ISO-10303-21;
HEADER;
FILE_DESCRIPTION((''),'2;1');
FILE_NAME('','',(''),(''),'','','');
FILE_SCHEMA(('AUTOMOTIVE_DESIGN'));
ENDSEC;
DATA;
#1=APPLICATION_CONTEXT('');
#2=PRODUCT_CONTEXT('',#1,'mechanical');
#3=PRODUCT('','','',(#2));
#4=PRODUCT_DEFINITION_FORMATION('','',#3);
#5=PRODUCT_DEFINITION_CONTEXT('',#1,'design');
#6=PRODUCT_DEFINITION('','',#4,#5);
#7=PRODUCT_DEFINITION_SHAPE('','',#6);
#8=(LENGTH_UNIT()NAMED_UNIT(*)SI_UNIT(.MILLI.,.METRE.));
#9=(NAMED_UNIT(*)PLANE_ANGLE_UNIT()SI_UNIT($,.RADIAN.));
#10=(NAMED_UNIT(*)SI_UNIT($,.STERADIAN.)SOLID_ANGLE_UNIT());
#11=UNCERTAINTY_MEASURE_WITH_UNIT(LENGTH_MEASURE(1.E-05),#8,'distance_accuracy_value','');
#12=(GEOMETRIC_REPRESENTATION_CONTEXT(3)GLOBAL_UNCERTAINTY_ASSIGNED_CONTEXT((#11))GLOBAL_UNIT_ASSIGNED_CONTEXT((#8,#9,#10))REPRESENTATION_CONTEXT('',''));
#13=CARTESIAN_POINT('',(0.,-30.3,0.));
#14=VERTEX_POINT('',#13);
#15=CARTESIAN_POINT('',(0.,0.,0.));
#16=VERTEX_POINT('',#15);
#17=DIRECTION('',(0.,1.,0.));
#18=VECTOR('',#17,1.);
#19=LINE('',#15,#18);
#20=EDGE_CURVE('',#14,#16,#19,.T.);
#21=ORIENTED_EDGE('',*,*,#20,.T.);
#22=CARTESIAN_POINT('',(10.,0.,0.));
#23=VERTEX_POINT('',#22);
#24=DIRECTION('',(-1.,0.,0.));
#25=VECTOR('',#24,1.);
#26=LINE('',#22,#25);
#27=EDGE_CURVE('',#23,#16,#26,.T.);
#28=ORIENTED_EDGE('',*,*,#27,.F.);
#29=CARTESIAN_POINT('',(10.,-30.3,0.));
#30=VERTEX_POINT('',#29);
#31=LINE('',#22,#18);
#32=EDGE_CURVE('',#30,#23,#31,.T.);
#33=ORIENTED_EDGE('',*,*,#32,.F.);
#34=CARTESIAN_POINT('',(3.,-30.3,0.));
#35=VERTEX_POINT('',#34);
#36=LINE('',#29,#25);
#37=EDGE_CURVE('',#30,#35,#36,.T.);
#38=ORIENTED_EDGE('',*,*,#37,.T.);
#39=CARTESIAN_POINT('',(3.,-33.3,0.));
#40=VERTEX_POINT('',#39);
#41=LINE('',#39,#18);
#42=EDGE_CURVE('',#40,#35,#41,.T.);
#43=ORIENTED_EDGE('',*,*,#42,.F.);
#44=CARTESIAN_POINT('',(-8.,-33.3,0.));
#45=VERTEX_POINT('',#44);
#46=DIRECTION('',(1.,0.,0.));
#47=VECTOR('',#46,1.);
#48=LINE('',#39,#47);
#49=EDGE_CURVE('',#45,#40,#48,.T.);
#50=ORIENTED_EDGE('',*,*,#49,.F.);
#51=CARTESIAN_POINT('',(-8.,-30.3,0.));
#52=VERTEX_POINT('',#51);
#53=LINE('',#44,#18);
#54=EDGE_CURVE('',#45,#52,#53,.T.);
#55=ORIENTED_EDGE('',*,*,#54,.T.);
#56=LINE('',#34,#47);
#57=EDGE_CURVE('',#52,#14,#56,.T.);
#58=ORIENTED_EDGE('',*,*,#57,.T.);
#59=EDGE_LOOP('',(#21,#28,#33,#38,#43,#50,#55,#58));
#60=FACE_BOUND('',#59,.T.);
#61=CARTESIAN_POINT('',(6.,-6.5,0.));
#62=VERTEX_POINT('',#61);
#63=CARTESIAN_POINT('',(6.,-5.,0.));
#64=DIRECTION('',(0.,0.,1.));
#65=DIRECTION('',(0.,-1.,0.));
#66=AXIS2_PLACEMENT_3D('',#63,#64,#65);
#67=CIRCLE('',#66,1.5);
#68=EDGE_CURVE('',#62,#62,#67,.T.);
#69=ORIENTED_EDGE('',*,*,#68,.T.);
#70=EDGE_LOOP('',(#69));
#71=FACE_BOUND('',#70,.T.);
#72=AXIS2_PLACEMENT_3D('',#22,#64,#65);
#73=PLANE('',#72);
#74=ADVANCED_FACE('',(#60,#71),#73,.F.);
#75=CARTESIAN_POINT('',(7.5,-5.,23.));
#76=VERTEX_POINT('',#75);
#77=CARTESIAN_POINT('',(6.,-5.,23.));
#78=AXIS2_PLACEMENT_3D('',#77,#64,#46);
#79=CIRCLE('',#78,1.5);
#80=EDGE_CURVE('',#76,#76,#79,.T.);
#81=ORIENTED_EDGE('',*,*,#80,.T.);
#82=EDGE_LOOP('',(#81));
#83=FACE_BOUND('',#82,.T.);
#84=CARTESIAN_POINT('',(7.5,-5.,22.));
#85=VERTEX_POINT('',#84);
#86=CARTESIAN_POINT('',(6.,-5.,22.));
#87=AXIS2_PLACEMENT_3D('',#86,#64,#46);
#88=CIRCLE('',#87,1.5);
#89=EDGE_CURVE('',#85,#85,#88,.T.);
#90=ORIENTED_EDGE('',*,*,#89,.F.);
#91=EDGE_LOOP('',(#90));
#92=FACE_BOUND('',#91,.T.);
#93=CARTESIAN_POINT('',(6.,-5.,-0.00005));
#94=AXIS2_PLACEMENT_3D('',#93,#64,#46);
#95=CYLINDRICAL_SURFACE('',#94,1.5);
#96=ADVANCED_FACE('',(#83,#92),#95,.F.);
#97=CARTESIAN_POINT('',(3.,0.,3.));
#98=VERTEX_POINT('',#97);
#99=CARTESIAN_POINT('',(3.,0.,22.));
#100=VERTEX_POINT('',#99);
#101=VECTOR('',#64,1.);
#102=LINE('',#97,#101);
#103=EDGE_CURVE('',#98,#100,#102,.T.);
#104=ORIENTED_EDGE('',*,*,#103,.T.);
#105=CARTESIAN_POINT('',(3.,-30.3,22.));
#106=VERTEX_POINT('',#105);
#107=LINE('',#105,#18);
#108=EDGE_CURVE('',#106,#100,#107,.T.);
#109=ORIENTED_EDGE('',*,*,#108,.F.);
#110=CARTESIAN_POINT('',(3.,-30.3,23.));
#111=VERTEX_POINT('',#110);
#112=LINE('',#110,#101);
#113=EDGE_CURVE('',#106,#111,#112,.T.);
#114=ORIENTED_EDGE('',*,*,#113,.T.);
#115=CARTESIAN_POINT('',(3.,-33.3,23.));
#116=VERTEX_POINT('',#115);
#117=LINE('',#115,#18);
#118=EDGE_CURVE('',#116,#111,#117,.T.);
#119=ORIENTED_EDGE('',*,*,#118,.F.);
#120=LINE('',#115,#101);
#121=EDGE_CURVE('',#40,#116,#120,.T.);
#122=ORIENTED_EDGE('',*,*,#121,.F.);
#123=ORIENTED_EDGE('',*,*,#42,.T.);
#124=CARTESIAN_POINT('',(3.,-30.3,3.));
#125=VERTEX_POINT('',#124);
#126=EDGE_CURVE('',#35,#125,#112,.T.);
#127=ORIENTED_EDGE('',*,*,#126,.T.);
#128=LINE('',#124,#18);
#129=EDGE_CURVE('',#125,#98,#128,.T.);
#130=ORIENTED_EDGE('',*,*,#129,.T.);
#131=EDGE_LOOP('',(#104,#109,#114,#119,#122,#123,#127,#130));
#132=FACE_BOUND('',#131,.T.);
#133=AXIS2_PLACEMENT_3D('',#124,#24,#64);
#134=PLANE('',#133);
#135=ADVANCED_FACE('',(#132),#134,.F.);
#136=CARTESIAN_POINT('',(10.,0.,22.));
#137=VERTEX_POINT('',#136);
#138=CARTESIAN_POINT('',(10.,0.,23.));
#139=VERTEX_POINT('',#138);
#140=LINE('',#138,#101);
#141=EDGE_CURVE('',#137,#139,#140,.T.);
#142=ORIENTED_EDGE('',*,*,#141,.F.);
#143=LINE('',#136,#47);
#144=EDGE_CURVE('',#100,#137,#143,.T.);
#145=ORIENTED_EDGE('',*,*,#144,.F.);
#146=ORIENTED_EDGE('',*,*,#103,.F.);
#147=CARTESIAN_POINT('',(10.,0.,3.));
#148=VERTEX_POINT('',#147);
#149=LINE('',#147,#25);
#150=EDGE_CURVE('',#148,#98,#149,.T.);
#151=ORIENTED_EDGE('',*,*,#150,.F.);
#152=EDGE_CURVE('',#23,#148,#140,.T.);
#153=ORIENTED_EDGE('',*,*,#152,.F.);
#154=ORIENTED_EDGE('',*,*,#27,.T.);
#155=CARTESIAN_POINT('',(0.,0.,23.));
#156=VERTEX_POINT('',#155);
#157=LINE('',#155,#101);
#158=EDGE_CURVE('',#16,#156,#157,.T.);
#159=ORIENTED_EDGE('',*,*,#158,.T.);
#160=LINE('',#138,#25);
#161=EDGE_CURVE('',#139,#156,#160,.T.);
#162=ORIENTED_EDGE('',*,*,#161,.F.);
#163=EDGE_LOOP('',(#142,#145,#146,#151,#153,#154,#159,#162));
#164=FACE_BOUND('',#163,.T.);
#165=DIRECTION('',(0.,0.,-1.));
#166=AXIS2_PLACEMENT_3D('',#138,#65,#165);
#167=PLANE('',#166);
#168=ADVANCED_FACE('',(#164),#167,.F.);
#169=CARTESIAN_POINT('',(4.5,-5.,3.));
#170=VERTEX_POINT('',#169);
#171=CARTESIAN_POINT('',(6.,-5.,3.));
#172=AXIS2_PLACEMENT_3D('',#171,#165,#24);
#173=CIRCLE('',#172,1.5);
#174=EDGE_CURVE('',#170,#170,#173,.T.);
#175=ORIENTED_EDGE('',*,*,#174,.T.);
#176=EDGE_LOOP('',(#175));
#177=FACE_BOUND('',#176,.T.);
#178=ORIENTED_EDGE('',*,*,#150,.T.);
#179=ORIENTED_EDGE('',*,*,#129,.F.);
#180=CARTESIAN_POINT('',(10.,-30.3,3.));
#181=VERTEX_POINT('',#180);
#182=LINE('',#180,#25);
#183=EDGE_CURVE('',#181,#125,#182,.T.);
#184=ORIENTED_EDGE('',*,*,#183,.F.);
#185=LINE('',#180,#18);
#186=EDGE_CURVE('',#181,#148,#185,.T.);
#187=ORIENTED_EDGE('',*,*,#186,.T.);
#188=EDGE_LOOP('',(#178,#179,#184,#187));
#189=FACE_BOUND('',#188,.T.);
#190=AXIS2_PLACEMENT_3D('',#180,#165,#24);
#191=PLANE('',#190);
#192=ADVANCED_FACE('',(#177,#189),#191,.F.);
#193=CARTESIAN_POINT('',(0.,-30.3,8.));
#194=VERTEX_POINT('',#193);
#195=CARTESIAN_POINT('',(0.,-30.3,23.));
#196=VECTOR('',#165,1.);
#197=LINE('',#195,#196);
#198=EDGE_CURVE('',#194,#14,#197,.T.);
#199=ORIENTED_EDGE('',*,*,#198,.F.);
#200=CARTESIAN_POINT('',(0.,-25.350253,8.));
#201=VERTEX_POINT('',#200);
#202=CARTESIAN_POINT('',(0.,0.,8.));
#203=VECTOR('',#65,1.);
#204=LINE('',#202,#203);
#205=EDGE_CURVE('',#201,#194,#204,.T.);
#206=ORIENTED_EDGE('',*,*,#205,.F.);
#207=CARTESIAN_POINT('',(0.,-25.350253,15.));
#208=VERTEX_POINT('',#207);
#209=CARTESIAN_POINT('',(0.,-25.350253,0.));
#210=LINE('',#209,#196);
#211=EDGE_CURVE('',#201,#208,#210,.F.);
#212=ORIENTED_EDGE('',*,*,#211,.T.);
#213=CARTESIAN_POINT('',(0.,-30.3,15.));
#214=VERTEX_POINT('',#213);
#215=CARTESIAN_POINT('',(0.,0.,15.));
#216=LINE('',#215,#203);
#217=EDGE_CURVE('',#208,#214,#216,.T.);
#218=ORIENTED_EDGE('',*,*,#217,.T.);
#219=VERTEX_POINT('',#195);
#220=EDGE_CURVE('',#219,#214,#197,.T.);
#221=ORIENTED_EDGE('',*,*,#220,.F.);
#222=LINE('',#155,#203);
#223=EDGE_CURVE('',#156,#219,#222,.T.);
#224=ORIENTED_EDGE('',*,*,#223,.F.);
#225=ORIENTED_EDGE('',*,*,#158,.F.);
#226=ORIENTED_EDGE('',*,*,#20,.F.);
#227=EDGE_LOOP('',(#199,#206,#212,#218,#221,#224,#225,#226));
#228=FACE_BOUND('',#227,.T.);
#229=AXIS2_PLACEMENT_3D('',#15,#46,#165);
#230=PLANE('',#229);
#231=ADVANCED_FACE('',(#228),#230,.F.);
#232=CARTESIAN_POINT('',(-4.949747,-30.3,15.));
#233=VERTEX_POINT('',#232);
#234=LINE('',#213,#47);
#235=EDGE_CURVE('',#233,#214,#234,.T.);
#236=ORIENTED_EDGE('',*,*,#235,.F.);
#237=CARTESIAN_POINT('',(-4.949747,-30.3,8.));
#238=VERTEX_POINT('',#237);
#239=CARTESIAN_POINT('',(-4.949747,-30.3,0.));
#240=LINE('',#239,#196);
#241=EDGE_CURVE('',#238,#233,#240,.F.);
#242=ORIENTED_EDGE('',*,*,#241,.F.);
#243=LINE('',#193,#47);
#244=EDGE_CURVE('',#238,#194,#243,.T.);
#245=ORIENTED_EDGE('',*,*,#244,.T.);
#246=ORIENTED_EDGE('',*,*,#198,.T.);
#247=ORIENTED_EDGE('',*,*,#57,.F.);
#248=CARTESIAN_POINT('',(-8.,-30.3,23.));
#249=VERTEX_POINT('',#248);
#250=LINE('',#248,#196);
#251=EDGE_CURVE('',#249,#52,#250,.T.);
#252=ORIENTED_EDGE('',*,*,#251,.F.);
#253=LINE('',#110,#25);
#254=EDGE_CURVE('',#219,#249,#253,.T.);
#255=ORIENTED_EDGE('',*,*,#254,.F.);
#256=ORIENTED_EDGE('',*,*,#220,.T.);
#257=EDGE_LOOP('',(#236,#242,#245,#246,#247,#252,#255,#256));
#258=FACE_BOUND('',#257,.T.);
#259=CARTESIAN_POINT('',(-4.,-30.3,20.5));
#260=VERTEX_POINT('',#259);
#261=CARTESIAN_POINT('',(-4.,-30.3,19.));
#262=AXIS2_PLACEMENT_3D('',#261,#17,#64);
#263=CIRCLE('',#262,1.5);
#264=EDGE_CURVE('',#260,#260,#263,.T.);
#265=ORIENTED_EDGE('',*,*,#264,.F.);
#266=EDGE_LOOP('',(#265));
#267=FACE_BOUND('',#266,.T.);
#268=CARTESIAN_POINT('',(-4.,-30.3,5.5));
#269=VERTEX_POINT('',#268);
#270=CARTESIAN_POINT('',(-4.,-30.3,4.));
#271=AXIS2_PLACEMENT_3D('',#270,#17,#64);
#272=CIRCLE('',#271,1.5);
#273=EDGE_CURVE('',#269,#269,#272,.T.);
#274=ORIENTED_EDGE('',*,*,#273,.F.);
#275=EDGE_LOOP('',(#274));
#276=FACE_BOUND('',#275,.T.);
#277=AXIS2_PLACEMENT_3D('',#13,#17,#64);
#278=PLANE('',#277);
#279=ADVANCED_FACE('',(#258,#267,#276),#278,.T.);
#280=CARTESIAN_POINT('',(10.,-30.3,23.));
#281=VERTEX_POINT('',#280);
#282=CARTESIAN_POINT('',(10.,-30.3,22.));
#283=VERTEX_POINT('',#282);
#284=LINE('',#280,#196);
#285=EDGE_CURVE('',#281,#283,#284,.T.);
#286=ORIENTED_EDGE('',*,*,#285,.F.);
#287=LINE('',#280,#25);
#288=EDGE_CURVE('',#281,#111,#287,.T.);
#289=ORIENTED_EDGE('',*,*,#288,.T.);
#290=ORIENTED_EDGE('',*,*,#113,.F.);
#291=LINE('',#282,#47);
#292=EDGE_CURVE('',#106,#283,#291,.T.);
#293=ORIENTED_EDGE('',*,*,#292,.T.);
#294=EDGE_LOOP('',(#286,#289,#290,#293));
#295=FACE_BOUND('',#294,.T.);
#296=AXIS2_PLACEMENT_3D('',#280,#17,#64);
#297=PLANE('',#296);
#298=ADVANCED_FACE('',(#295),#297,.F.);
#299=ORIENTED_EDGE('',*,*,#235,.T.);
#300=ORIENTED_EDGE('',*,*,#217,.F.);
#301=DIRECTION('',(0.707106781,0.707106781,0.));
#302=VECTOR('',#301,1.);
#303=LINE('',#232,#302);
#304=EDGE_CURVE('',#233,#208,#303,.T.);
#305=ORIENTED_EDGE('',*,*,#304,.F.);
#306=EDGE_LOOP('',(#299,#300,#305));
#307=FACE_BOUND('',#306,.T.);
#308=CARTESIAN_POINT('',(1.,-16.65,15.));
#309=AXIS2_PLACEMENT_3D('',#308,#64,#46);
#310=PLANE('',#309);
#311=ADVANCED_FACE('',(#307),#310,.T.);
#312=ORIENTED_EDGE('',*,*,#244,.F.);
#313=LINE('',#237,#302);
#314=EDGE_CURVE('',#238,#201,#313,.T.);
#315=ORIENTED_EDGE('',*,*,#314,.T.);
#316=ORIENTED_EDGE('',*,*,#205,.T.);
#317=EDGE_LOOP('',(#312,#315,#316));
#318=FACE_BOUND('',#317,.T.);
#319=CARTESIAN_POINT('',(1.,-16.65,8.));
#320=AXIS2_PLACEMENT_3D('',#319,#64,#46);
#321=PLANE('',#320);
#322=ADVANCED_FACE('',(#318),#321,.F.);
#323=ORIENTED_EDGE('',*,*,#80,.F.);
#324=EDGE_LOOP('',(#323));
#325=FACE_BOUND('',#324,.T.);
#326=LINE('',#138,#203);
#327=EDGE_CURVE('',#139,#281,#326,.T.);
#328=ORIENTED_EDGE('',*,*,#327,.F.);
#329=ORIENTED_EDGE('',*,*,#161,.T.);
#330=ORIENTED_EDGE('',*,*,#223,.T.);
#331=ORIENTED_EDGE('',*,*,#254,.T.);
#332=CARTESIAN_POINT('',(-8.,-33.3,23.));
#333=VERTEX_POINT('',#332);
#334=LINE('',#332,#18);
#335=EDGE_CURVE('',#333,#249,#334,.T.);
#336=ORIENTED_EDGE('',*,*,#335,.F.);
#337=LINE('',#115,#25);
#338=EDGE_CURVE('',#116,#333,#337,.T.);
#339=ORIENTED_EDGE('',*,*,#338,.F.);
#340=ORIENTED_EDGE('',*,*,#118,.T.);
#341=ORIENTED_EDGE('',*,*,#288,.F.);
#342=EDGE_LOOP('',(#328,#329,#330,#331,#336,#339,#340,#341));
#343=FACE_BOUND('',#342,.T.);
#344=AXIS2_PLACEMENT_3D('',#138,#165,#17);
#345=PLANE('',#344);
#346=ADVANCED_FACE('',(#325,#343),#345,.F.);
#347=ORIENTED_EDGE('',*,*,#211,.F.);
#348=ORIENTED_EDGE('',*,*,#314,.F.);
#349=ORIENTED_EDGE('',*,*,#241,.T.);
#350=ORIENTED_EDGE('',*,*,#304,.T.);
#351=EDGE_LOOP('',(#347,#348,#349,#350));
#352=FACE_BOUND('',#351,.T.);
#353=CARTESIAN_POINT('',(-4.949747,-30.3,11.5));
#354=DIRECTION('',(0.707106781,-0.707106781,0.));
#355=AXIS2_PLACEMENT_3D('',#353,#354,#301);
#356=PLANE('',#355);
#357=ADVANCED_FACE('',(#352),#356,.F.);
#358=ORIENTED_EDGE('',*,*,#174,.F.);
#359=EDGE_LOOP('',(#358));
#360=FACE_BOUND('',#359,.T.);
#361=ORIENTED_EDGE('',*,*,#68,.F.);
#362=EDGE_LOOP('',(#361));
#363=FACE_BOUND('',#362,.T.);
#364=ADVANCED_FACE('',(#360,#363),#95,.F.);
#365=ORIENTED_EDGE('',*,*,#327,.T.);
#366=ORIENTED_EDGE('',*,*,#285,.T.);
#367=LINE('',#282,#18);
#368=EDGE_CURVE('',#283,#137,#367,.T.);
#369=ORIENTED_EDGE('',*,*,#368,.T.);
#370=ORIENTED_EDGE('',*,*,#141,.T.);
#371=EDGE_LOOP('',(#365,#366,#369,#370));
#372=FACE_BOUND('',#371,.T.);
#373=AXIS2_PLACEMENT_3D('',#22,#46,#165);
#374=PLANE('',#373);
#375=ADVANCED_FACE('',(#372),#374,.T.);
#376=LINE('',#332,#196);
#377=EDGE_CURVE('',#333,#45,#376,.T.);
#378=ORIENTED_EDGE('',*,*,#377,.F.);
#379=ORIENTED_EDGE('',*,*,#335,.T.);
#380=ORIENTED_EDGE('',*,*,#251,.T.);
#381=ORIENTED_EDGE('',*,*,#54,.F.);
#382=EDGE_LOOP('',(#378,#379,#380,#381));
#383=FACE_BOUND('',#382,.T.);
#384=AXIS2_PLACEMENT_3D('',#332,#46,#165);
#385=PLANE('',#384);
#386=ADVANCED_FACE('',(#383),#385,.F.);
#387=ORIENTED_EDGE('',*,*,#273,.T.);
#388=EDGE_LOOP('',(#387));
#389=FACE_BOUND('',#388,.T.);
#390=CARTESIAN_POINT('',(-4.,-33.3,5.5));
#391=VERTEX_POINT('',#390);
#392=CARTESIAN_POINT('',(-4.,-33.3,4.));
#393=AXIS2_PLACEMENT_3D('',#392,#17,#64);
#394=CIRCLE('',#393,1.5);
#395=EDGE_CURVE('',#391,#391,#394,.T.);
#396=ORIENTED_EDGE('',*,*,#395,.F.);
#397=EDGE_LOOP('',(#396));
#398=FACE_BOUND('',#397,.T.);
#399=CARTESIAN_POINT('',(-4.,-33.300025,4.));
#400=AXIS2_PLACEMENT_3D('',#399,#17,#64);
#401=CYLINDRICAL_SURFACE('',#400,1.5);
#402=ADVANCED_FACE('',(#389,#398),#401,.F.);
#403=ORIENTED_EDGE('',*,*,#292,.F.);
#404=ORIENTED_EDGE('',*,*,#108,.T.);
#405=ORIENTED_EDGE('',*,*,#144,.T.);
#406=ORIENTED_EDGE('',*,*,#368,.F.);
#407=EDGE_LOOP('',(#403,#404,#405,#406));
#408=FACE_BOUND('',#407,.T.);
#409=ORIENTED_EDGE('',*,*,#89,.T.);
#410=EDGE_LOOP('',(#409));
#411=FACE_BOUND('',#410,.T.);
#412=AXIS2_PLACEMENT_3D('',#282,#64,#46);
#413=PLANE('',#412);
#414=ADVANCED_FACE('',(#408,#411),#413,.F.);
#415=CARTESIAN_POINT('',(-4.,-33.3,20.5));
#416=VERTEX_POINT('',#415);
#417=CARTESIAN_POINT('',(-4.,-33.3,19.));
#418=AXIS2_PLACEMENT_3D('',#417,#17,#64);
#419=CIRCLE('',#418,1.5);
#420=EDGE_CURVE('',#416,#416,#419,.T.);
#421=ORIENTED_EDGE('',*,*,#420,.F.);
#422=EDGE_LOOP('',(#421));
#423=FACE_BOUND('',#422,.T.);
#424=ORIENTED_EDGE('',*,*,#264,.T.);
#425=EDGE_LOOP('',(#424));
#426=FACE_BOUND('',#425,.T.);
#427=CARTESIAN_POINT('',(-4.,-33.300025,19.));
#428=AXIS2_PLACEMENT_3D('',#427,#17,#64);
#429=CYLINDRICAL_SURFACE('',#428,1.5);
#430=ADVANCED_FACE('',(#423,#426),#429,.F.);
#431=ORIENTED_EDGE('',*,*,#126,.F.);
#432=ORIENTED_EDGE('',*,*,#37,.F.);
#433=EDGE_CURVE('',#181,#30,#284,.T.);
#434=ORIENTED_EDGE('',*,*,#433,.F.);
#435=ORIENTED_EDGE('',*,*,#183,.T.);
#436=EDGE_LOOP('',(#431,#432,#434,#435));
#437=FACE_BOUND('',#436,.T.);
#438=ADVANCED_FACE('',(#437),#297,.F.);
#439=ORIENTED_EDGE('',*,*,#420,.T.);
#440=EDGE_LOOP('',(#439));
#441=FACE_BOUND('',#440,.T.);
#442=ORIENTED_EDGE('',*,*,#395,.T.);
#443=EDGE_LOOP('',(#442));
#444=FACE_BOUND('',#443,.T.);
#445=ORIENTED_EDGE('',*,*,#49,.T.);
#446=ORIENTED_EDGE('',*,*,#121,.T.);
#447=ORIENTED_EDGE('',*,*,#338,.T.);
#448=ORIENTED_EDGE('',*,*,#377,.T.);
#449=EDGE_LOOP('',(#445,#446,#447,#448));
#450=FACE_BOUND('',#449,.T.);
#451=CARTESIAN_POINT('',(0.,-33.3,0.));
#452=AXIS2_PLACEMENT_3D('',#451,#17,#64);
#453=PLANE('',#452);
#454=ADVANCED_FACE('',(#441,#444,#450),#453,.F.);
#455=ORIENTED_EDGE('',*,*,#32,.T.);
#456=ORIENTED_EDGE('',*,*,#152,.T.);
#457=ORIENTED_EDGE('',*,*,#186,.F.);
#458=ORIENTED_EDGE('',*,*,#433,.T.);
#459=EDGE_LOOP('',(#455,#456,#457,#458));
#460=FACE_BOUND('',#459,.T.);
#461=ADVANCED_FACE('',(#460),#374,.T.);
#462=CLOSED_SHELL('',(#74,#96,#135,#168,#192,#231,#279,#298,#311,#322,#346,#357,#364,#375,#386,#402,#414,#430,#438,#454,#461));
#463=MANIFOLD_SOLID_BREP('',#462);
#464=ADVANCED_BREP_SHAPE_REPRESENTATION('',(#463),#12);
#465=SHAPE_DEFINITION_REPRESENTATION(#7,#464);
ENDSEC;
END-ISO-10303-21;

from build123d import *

# Parameters (mm, degrees)
CROQUIS1_W              = 23
CROQUIS1_H              = 30.3
SALIENTE_EXTRUIR2_DEPTH = 10
CROQUIS3_W              = 7
CROQUIS3_H              = 19
CORTAR_EXTRUIR1_DEPTH   = 40.333064971
CROQUIS4_W              = 11
CROQUIS4_H              = 23
SALIENTE_EXTRUIR3_DEPTH = 3
CROQUIS5_R              = 1.5
CORTAR_EXTRUIR3_DEPTH   = 40.333064971
CROQUIS6_R              = 1.5
CORTAR_EXTRUIR4_DEPTH   = 42.688007868
NERVIO10_REACH          = 38.622
CROQUIS23_WALL_W        = 82.243156676
CROQUIS23_WALL_H        = 7


with BuildPart() as part:
    # Croquis1 → Saliente-Extruir2 (new body)
    with BuildSketch(Plane(origin=(0, 0, 0), x_dir=(0, 0, -1), z_dir=(1, 0, 0))):
        with Locations((-11.5, -15.15)):
            Rectangle(CROQUIS1_W, CROQUIS1_H)
    extrude(amount=SALIENTE_EXTRUIR2_DEPTH)

    # Croquis3 → Cortar-Extruir1 (cut, through all)
    with BuildSketch(Plane(origin=(0, 0, 0), x_dir=(1, 0, 0), z_dir=(0, 1, 0))):
        with Locations((6.5, -12.5)):
            Rectangle(CROQUIS3_W, CROQUIS3_H)
    extrude(amount=-CORTAR_EXTRUIR1_DEPTH, mode=Mode.SUBTRACT)

    # Croquis4 → Saliente-Extruir3 (add)
    with BuildSketch(Plane.XZ.offset(30.3)):
        with Locations((-2.5, 11.5)):
            Rectangle(CROQUIS4_W, CROQUIS4_H)
    extrude(amount=SALIENTE_EXTRUIR3_DEPTH)

    # Croquis5 → Cortar-Extruir3 (cut, through all)
    with BuildSketch(Plane(origin=(0, -30.3, 0), x_dir=(1, 0, 0), z_dir=(0, 1, 0))):
        with Locations(Location((-4, -4, 0), (0, 0, 270))):
            Circle(CROQUIS5_R)
        with Locations(Location((-4, -19, 0), (0, 0, 270))):
            Circle(CROQUIS5_R)
    extrude(amount=-CORTAR_EXTRUIR3_DEPTH, mode=Mode.SUBTRACT)

    # Croquis6 → Cortar-Extruir4 (cut, through all)
    with BuildSketch(Plane.XY.offset(23)):
        with Locations(Location((6, -5, 0), (0, 0, 270))):
            Circle(CROQUIS6_R)
    extrude(amount=-CORTAR_EXTRUIR4_DEPTH, mode=Mode.SUBTRACT)

    # Croquis23 wall → Nervio10 (add, up to next)
    with BuildSketch(Plane(origin=(-2.474873734, -27.825126266, 11.5), x_dir=(0.707106781187, 0.707106781187, 0), z_dir=(-0.707106781187, 0.707106781187, 0)), mode=Mode.PRIVATE) as nervio10_sk1:
        Rectangle(CROQUIS23_WALL_W, CROQUIS23_WALL_H)
    nervio10_tool1 = extrude(nervio10_sk1.sketch, amount=-NERVIO10_REACH, mode=Mode.PRIVATE) - part.part
    add(nervio10_tool1.solids().sort_by_distance((-2.474873734, -27.825126266, 11.5))[0])


solid = part.part
